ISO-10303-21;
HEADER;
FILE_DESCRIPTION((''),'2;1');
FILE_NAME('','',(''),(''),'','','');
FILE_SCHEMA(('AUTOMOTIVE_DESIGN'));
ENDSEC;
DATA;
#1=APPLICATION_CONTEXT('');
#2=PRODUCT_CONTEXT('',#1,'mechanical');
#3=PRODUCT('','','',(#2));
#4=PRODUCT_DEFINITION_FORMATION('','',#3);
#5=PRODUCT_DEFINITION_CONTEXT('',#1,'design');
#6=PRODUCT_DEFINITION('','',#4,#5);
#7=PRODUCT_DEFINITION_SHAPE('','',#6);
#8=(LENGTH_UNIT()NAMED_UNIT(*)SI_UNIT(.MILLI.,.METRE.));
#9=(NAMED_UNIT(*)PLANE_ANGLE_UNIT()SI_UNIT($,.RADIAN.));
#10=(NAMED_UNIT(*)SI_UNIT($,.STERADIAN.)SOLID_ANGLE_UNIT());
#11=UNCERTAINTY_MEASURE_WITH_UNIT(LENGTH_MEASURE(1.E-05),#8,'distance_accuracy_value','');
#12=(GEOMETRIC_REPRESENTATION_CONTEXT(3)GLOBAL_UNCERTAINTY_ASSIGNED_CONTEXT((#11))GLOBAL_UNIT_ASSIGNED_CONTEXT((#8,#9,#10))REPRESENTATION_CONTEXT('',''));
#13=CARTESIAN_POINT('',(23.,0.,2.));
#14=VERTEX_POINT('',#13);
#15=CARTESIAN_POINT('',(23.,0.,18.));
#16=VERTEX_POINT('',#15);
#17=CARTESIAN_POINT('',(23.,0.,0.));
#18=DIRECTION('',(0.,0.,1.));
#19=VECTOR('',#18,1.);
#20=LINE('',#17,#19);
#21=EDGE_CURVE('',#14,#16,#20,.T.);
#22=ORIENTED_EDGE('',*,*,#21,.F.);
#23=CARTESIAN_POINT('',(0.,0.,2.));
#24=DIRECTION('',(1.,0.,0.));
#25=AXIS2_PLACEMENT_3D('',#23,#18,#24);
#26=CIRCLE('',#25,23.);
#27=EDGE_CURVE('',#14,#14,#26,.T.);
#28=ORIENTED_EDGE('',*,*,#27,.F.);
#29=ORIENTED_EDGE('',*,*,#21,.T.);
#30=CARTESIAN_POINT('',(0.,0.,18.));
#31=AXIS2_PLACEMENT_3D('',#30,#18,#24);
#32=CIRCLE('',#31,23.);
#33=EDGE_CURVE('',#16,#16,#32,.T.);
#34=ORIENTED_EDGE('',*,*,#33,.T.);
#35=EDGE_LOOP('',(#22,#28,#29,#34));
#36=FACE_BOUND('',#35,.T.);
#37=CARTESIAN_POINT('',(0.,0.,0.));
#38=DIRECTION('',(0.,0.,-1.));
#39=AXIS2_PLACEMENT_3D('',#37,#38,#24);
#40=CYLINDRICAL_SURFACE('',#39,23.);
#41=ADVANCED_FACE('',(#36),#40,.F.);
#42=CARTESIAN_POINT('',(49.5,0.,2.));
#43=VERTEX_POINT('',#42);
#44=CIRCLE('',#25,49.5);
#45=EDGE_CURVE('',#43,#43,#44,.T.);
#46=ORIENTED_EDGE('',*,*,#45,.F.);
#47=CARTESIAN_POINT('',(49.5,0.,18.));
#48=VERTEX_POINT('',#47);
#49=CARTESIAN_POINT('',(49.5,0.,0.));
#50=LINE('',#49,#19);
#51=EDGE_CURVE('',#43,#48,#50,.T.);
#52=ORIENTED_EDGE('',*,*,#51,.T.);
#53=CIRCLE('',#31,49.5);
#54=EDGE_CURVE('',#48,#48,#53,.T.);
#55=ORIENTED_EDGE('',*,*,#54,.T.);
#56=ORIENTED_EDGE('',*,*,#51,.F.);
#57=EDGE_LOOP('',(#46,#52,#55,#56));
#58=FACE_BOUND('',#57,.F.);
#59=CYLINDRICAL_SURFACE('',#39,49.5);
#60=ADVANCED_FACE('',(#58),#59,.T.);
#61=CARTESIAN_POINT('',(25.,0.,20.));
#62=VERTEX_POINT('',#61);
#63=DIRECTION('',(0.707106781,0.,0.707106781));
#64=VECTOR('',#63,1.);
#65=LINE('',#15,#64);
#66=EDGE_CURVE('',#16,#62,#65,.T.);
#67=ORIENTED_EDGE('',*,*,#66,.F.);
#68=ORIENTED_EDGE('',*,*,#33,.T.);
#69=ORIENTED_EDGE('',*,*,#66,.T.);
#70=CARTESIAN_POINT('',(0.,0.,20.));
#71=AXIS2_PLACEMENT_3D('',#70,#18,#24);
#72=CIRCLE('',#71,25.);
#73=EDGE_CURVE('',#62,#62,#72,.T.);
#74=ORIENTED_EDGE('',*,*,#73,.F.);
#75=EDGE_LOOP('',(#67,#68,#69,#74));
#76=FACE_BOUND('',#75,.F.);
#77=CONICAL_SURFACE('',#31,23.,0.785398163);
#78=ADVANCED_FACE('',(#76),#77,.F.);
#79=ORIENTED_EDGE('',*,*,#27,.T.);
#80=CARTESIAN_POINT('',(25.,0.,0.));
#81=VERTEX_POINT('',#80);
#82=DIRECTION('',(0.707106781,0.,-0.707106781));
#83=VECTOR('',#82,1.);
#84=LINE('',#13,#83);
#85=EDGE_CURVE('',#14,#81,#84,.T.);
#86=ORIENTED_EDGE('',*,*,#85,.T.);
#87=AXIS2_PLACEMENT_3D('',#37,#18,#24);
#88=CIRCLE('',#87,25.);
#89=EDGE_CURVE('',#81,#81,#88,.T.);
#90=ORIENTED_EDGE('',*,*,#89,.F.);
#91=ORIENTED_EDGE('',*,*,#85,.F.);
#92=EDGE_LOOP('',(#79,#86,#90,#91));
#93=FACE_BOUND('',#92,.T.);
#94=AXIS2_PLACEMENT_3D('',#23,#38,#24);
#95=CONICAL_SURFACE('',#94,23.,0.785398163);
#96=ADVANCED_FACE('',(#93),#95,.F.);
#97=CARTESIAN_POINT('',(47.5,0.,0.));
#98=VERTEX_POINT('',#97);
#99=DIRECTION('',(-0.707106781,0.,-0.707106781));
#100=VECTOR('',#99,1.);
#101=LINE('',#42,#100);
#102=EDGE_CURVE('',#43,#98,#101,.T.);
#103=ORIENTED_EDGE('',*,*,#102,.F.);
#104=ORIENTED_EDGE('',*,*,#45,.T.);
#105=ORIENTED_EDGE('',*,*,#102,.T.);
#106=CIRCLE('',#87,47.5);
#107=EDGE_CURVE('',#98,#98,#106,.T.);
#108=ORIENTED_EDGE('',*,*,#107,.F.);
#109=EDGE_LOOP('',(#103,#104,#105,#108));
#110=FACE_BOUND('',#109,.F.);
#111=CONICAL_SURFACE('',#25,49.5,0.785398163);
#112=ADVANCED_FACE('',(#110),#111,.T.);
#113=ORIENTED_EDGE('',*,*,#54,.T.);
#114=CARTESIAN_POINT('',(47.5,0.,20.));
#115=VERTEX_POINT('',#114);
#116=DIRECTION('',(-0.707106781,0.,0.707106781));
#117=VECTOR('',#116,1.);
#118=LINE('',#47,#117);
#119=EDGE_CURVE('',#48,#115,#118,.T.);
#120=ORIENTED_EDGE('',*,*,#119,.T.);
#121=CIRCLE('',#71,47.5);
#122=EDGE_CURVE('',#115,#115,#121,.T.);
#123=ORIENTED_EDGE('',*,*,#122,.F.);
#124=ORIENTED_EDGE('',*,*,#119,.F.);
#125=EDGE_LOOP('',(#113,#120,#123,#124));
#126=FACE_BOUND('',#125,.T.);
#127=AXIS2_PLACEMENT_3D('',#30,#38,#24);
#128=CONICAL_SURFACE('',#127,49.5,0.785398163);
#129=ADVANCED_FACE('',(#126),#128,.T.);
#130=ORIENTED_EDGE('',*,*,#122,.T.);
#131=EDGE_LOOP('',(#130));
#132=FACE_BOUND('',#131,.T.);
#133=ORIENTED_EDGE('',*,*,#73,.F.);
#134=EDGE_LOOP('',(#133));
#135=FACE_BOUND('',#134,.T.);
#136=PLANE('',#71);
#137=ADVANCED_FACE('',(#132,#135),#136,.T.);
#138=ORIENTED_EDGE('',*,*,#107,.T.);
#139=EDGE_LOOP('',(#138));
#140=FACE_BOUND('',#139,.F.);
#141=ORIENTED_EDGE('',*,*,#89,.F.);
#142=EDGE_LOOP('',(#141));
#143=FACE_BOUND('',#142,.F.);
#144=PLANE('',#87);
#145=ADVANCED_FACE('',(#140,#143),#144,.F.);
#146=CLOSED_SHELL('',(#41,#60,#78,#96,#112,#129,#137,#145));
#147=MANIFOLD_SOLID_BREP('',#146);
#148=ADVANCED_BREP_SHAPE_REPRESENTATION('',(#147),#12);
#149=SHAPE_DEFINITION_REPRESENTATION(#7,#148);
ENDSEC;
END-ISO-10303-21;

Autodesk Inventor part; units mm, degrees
ref_plane "YZ Plane" through (0, 0, 0) normal (1, 0, 0) x (0, 1, 0)
ref_plane "XZ Plane" through (0, 0, 0) normal (0, 1, 0) x (-1, 0, 0)
ref_plane "XY Plane" through (0, 0, 0) normal (0, 0, 1) x (1, 0, 0)
sketch "Эскиз1" plane through (0, 0, 0) normal (0, 0, 1) x (1, 0, 0)
  circle A0 centre (0, 0) radius 49.5
  circle A1 centre (0, 0) radius 23
  dimension "d0" = 99
  dimension "d1" = 46
extrude "Выдавливание1" add sketch "Эскиз1" along normal blind 20
chamfer "Фаска1" distance 2 angle 45 4 edges at (-23, 0, 20) (-49.5, 0, 20) (-23, 0, 0) (-49.5, 0, 0)
properties part number "Кольцо поршень-шток низ_CPY" material "Сталь, мягкая"
